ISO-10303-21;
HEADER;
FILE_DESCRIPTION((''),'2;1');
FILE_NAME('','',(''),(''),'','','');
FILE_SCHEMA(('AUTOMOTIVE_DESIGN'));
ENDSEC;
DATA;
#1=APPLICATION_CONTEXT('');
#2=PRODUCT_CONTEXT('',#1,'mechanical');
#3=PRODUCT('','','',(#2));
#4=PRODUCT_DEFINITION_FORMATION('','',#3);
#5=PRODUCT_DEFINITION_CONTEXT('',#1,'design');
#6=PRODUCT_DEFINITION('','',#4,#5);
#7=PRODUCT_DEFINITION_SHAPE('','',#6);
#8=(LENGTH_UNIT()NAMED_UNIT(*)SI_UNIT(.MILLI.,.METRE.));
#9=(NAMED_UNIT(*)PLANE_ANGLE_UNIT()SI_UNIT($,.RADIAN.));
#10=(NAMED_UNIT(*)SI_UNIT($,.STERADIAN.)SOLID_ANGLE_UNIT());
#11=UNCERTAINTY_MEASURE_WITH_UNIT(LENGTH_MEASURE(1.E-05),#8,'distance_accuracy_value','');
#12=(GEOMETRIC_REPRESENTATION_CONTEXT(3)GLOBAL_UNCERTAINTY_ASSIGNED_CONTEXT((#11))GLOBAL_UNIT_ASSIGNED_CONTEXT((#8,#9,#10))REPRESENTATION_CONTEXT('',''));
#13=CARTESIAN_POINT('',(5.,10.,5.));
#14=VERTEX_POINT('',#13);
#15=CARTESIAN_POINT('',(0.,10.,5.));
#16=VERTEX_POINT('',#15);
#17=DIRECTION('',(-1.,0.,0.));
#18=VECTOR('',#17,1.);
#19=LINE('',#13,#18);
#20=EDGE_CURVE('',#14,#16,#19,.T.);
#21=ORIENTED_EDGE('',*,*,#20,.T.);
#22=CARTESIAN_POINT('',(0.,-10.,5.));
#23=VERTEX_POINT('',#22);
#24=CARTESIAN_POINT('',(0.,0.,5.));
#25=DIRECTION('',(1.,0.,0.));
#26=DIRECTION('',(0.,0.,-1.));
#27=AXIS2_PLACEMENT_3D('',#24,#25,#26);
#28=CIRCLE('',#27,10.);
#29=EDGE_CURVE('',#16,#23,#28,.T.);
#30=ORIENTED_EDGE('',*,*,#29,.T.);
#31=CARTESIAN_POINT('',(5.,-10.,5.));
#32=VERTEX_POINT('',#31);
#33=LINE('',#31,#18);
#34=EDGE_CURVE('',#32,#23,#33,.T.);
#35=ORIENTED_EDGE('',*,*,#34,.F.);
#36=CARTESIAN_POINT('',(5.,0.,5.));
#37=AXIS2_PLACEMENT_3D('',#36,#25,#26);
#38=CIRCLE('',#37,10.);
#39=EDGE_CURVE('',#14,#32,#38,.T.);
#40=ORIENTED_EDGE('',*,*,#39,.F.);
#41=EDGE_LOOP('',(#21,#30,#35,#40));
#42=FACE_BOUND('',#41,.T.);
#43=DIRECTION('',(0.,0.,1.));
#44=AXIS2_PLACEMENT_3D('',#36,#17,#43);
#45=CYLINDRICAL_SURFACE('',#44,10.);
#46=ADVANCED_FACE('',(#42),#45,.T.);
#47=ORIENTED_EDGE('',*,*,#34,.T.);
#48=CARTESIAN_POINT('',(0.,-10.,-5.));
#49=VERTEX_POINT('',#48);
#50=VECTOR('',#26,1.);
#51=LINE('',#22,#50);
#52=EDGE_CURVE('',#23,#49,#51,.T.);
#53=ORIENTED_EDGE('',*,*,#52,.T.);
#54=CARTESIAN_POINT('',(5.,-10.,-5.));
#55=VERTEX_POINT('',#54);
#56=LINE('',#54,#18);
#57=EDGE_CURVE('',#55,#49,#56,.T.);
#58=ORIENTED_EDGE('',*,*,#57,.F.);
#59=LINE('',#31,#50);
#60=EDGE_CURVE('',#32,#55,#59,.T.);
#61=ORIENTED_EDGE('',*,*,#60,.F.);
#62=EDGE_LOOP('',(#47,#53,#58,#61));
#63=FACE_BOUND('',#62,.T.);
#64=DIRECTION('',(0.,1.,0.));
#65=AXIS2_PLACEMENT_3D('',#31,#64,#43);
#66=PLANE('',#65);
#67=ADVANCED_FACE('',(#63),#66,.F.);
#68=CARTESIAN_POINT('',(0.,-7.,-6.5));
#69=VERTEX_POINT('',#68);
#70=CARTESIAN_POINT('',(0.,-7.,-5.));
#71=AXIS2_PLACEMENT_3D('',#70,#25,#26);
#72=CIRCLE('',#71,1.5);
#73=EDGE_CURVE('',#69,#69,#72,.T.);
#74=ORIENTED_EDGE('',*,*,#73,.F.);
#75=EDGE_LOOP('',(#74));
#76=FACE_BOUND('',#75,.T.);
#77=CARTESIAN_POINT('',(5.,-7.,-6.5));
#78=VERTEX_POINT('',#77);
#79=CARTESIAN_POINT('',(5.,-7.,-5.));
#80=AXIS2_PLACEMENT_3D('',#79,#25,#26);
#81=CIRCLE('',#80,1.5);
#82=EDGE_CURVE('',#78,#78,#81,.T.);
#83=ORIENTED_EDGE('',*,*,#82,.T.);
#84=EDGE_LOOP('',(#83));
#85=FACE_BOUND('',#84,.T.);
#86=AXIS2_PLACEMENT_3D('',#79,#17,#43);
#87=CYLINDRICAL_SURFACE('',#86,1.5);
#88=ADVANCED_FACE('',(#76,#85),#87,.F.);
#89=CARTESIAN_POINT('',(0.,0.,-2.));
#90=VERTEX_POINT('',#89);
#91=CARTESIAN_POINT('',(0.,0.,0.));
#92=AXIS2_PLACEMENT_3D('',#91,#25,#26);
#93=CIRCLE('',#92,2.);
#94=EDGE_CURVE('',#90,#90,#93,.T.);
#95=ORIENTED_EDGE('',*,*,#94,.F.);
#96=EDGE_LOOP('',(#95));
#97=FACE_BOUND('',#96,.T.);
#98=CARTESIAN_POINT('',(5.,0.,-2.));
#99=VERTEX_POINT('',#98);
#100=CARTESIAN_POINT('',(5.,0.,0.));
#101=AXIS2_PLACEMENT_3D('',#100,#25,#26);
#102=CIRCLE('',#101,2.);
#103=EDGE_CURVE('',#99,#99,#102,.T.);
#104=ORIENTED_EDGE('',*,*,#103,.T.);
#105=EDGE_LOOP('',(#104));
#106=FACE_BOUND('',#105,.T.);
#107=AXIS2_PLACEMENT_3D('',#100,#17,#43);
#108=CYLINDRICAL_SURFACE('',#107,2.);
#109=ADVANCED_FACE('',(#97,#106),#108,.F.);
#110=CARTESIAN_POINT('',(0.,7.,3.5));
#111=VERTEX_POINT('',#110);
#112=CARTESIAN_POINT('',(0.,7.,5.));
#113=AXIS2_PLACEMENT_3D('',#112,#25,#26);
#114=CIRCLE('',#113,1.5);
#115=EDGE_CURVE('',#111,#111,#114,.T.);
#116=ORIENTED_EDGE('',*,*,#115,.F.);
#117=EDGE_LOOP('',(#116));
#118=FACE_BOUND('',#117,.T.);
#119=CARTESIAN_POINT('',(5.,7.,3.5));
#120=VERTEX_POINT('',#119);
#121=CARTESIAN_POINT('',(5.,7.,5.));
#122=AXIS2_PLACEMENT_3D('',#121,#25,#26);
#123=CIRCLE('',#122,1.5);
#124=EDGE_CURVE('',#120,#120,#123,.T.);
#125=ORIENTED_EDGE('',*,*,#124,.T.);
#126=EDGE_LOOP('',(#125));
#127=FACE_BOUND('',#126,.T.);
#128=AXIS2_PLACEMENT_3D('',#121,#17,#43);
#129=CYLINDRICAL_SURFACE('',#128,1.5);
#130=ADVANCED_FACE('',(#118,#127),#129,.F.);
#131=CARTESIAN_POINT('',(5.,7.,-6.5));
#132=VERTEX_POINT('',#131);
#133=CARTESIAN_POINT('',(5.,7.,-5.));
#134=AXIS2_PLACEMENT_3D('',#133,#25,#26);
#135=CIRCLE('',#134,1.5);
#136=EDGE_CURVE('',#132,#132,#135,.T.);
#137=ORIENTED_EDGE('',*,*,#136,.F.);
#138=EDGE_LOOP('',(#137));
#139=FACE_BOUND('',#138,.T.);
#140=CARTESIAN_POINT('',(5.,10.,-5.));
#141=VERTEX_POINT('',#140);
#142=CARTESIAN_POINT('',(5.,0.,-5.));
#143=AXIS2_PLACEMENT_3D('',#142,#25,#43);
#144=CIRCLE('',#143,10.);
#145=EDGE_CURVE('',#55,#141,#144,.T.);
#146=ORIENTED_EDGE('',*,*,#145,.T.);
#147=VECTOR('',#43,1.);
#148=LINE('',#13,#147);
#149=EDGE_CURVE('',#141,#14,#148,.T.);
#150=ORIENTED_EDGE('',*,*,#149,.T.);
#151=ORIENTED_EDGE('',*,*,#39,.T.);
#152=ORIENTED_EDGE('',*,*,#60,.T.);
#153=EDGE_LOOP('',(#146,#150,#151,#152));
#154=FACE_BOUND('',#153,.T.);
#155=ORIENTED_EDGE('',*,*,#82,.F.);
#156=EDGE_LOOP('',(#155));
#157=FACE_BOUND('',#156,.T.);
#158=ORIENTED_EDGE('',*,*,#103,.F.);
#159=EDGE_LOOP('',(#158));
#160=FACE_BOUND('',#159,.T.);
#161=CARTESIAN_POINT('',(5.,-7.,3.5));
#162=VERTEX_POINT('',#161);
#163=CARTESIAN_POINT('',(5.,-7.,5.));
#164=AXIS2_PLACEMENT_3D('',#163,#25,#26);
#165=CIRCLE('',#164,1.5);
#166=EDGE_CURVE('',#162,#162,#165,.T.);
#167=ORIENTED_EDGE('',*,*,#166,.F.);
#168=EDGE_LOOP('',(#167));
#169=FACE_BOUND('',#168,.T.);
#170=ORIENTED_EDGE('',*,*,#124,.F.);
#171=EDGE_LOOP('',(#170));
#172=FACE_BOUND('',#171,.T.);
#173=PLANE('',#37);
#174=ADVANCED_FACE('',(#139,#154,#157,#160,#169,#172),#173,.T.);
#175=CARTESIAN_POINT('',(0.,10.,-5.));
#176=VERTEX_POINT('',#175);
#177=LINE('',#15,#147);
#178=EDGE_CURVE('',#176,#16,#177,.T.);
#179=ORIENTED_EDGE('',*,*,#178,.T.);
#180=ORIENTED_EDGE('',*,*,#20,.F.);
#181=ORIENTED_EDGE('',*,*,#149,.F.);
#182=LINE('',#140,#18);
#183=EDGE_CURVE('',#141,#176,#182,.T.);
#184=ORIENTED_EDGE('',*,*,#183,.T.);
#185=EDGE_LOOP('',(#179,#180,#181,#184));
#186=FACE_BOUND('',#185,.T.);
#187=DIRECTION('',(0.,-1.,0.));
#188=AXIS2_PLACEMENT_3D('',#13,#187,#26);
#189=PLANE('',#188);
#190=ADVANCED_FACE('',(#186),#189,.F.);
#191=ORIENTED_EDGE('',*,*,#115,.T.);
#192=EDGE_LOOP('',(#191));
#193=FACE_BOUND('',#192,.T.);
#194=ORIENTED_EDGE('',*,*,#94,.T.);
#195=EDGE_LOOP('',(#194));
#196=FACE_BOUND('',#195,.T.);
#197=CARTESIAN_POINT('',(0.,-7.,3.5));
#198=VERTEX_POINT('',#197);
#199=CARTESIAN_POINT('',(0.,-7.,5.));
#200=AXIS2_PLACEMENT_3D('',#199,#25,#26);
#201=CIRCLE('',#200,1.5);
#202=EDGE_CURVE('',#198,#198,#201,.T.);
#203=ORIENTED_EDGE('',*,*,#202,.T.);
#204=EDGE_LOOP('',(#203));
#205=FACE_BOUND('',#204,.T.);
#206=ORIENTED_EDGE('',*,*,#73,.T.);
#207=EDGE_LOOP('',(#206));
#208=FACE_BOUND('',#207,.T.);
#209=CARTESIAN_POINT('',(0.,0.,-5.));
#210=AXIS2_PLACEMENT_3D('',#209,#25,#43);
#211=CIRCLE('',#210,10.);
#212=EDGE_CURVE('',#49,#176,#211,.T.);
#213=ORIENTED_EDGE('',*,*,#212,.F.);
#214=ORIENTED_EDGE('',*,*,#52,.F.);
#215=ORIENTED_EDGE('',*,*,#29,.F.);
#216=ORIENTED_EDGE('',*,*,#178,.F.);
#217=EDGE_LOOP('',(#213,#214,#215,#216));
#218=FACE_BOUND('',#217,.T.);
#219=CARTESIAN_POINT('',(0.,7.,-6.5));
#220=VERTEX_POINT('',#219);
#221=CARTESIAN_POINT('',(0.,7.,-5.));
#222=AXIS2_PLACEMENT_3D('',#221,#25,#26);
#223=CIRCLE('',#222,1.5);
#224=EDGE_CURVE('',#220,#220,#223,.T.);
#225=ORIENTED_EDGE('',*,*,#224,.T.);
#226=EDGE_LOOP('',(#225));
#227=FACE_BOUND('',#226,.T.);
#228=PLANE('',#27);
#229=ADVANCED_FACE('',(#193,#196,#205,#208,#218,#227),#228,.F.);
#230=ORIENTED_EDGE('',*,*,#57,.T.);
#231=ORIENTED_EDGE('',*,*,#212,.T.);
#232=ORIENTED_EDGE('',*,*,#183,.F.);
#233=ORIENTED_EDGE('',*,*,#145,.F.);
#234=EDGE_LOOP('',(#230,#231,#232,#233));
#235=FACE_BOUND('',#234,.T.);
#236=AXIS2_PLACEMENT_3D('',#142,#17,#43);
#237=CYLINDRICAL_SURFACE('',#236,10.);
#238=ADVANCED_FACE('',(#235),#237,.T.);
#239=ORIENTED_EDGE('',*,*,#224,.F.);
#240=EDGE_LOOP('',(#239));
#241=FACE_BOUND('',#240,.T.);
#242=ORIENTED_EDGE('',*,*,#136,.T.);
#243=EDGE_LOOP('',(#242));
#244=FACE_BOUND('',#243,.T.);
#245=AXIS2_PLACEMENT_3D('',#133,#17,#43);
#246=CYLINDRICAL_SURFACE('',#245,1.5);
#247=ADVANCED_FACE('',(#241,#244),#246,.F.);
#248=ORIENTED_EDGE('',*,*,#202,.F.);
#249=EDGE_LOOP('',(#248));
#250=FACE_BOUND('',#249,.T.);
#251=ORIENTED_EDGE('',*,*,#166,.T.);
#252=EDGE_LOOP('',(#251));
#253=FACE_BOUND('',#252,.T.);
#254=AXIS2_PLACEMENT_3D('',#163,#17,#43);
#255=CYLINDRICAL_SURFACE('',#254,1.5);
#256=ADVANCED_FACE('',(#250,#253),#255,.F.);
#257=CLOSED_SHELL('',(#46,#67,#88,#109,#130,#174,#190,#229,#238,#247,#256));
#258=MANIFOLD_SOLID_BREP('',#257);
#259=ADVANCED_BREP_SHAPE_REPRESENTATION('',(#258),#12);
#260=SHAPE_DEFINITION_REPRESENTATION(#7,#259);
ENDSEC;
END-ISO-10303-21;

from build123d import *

# Parameters (mm, degrees)
ESTRUSIONE_ESTRUSIONE1_DEPTH = 5
SCHIZZO2_R                   = 1.5
SCHIZZO2_R_2                 = 2
TAGLIO_ESTRUSIONE1_DEPTH     = 6


with BuildPart() as part:
    # Schizzo1 → Estrusione-Estrusione1 (new body)
    with BuildSketch(Plane(origin=(0, 0, 0), x_dir=(0, 0, -1), z_dir=(1, 0, 0))):
        with BuildLine():
            Line((-5, 10), (5, 10))
            ThreePointArc((5, 10), (15, 0), (5, -10))
            Line((5, -10), (-5, -10))
            ThreePointArc((-5, -10), (-15, 0), (-5, 10))
        make_face()
    extrude(amount=ESTRUSIONE_ESTRUSIONE1_DEPTH)

    # Schizzo2 → Taglio-Estrusione1 (cut, through all)
    with BuildSketch(Plane(origin=(0, 0, 0), x_dir=(0, 0, -1), z_dir=(1, 0, 0))):
        with Locations((-5, 7)):
            Circle(SCHIZZO2_R)
        Circle(SCHIZZO2_R_2)
        with Locations((5, 7)):
            Circle(SCHIZZO2_R)
        with Locations((-5, -7)):
            Circle(SCHIZZO2_R)
        with Locations((5, -7)):
            Circle(SCHIZZO2_R)
    extrude(amount=TAGLIO_ESTRUSIONE1_DEPTH, mode=Mode.SUBTRACT)


solid = part.part
